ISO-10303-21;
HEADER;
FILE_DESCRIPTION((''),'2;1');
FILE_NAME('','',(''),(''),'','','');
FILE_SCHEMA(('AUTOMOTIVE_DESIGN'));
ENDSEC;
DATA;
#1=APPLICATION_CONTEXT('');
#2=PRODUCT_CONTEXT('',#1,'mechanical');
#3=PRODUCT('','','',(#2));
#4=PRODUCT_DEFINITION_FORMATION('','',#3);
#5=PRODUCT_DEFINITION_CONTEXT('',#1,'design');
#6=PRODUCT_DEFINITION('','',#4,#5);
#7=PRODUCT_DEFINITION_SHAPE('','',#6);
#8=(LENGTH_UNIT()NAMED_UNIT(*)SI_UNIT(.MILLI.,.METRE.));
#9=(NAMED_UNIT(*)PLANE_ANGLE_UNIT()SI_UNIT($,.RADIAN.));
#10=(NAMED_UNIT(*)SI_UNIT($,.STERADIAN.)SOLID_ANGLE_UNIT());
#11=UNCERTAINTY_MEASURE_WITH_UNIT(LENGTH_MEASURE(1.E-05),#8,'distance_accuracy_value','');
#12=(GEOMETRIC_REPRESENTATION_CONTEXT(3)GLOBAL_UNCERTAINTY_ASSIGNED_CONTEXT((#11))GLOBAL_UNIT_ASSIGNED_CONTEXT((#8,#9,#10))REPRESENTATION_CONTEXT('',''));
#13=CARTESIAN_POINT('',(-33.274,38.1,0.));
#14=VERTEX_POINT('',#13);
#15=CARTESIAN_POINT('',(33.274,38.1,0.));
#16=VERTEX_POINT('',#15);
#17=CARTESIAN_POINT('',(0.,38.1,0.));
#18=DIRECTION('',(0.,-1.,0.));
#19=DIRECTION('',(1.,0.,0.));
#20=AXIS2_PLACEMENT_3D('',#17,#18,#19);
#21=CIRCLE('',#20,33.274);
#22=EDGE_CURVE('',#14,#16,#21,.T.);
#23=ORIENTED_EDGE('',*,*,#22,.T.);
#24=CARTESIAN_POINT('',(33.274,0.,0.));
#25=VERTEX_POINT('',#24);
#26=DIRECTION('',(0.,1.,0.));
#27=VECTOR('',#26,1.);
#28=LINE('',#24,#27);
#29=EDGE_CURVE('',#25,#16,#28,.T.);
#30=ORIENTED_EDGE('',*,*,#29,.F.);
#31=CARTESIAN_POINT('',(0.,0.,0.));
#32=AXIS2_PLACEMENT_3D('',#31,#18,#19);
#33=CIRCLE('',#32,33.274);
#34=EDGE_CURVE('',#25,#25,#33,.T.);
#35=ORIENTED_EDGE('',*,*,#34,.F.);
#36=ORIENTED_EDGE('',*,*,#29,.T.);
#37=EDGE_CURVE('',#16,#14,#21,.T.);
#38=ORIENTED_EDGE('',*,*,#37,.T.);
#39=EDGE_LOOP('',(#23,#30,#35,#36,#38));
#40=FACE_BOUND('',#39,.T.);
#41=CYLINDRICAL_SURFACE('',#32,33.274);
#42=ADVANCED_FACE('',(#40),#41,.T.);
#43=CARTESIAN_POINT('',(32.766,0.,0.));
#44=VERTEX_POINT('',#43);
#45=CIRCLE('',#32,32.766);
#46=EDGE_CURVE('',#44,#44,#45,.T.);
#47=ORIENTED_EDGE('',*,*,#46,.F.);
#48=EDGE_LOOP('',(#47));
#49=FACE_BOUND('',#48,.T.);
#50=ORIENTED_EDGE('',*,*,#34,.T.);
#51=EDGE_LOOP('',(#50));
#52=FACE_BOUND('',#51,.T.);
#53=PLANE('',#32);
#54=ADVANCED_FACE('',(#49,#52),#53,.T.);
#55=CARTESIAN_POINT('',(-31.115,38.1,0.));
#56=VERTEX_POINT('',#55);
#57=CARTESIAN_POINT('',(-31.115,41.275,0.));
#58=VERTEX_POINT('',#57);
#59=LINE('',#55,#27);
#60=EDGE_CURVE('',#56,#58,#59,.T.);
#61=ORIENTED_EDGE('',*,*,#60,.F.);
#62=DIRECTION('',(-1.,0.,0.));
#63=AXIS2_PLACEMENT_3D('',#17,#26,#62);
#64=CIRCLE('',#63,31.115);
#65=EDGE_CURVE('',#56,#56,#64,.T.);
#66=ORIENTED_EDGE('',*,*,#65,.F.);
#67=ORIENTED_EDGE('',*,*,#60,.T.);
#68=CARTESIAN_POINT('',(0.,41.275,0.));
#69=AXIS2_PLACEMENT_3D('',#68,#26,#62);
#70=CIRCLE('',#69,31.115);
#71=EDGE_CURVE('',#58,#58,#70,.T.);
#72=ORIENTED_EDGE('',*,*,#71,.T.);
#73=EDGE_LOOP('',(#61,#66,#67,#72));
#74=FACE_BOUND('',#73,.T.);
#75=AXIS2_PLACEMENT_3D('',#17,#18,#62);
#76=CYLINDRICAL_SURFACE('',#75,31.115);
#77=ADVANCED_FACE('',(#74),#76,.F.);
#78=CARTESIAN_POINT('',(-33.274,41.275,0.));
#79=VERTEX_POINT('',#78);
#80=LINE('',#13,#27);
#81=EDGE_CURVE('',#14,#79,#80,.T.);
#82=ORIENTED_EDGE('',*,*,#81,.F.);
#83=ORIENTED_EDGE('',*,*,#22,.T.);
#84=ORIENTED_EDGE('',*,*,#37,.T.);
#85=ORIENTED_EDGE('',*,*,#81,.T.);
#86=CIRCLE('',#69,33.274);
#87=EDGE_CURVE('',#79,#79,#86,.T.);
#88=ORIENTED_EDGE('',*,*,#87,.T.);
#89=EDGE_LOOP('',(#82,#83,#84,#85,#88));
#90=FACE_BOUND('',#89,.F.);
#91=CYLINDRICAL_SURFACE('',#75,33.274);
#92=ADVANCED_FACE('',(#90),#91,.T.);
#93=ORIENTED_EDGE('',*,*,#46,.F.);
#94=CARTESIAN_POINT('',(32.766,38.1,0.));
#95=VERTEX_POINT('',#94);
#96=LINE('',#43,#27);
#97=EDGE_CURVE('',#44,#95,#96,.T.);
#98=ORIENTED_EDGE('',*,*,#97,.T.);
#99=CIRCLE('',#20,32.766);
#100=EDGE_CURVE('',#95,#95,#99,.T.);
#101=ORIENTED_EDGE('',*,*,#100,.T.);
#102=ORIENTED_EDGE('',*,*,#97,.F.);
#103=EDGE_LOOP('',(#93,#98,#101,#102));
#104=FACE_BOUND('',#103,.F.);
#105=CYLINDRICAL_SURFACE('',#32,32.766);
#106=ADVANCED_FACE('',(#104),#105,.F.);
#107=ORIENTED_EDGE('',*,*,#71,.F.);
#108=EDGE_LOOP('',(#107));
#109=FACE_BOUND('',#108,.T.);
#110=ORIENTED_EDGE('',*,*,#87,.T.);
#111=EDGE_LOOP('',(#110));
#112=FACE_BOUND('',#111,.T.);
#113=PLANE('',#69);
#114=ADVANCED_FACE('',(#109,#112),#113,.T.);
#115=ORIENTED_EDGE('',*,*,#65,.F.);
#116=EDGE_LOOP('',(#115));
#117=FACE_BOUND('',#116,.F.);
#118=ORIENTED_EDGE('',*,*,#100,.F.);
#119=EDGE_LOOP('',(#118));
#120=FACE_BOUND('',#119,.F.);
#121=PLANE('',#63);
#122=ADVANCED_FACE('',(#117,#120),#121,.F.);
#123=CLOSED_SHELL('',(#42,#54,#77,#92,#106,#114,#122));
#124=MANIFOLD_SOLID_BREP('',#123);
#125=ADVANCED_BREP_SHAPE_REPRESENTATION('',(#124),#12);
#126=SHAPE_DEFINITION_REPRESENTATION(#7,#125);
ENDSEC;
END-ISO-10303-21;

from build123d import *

# Parameters (mm, degrees)
F0_R     = 33.274
F0_R_2   = 32.766
F1_DEPTH = 38.1
F2_R     = 33.274
F2_R_2   = 31.115
F3_DEPTH = 3.175


with BuildPart() as f1:
    # F0 (on Front) → F1 (new body)
    with BuildSketch(Plane.XZ):
        Circle(F0_R)
        Circle(F0_R_2, mode=Mode.SUBTRACT)
    extrude(amount=-F1_DEPTH)

    # F2 (on face) → F3 (join)
    with BuildSketch(Plane(origin=(0, 38.1, 0), x_dir=(-1, 0, 0), z_dir=(0, 1, 0))):
        Circle(F2_R)
        Circle(F2_R_2, mode=Mode.SUBTRACT)
    extrude(amount=F3_DEPTH)


solid = f1.part
